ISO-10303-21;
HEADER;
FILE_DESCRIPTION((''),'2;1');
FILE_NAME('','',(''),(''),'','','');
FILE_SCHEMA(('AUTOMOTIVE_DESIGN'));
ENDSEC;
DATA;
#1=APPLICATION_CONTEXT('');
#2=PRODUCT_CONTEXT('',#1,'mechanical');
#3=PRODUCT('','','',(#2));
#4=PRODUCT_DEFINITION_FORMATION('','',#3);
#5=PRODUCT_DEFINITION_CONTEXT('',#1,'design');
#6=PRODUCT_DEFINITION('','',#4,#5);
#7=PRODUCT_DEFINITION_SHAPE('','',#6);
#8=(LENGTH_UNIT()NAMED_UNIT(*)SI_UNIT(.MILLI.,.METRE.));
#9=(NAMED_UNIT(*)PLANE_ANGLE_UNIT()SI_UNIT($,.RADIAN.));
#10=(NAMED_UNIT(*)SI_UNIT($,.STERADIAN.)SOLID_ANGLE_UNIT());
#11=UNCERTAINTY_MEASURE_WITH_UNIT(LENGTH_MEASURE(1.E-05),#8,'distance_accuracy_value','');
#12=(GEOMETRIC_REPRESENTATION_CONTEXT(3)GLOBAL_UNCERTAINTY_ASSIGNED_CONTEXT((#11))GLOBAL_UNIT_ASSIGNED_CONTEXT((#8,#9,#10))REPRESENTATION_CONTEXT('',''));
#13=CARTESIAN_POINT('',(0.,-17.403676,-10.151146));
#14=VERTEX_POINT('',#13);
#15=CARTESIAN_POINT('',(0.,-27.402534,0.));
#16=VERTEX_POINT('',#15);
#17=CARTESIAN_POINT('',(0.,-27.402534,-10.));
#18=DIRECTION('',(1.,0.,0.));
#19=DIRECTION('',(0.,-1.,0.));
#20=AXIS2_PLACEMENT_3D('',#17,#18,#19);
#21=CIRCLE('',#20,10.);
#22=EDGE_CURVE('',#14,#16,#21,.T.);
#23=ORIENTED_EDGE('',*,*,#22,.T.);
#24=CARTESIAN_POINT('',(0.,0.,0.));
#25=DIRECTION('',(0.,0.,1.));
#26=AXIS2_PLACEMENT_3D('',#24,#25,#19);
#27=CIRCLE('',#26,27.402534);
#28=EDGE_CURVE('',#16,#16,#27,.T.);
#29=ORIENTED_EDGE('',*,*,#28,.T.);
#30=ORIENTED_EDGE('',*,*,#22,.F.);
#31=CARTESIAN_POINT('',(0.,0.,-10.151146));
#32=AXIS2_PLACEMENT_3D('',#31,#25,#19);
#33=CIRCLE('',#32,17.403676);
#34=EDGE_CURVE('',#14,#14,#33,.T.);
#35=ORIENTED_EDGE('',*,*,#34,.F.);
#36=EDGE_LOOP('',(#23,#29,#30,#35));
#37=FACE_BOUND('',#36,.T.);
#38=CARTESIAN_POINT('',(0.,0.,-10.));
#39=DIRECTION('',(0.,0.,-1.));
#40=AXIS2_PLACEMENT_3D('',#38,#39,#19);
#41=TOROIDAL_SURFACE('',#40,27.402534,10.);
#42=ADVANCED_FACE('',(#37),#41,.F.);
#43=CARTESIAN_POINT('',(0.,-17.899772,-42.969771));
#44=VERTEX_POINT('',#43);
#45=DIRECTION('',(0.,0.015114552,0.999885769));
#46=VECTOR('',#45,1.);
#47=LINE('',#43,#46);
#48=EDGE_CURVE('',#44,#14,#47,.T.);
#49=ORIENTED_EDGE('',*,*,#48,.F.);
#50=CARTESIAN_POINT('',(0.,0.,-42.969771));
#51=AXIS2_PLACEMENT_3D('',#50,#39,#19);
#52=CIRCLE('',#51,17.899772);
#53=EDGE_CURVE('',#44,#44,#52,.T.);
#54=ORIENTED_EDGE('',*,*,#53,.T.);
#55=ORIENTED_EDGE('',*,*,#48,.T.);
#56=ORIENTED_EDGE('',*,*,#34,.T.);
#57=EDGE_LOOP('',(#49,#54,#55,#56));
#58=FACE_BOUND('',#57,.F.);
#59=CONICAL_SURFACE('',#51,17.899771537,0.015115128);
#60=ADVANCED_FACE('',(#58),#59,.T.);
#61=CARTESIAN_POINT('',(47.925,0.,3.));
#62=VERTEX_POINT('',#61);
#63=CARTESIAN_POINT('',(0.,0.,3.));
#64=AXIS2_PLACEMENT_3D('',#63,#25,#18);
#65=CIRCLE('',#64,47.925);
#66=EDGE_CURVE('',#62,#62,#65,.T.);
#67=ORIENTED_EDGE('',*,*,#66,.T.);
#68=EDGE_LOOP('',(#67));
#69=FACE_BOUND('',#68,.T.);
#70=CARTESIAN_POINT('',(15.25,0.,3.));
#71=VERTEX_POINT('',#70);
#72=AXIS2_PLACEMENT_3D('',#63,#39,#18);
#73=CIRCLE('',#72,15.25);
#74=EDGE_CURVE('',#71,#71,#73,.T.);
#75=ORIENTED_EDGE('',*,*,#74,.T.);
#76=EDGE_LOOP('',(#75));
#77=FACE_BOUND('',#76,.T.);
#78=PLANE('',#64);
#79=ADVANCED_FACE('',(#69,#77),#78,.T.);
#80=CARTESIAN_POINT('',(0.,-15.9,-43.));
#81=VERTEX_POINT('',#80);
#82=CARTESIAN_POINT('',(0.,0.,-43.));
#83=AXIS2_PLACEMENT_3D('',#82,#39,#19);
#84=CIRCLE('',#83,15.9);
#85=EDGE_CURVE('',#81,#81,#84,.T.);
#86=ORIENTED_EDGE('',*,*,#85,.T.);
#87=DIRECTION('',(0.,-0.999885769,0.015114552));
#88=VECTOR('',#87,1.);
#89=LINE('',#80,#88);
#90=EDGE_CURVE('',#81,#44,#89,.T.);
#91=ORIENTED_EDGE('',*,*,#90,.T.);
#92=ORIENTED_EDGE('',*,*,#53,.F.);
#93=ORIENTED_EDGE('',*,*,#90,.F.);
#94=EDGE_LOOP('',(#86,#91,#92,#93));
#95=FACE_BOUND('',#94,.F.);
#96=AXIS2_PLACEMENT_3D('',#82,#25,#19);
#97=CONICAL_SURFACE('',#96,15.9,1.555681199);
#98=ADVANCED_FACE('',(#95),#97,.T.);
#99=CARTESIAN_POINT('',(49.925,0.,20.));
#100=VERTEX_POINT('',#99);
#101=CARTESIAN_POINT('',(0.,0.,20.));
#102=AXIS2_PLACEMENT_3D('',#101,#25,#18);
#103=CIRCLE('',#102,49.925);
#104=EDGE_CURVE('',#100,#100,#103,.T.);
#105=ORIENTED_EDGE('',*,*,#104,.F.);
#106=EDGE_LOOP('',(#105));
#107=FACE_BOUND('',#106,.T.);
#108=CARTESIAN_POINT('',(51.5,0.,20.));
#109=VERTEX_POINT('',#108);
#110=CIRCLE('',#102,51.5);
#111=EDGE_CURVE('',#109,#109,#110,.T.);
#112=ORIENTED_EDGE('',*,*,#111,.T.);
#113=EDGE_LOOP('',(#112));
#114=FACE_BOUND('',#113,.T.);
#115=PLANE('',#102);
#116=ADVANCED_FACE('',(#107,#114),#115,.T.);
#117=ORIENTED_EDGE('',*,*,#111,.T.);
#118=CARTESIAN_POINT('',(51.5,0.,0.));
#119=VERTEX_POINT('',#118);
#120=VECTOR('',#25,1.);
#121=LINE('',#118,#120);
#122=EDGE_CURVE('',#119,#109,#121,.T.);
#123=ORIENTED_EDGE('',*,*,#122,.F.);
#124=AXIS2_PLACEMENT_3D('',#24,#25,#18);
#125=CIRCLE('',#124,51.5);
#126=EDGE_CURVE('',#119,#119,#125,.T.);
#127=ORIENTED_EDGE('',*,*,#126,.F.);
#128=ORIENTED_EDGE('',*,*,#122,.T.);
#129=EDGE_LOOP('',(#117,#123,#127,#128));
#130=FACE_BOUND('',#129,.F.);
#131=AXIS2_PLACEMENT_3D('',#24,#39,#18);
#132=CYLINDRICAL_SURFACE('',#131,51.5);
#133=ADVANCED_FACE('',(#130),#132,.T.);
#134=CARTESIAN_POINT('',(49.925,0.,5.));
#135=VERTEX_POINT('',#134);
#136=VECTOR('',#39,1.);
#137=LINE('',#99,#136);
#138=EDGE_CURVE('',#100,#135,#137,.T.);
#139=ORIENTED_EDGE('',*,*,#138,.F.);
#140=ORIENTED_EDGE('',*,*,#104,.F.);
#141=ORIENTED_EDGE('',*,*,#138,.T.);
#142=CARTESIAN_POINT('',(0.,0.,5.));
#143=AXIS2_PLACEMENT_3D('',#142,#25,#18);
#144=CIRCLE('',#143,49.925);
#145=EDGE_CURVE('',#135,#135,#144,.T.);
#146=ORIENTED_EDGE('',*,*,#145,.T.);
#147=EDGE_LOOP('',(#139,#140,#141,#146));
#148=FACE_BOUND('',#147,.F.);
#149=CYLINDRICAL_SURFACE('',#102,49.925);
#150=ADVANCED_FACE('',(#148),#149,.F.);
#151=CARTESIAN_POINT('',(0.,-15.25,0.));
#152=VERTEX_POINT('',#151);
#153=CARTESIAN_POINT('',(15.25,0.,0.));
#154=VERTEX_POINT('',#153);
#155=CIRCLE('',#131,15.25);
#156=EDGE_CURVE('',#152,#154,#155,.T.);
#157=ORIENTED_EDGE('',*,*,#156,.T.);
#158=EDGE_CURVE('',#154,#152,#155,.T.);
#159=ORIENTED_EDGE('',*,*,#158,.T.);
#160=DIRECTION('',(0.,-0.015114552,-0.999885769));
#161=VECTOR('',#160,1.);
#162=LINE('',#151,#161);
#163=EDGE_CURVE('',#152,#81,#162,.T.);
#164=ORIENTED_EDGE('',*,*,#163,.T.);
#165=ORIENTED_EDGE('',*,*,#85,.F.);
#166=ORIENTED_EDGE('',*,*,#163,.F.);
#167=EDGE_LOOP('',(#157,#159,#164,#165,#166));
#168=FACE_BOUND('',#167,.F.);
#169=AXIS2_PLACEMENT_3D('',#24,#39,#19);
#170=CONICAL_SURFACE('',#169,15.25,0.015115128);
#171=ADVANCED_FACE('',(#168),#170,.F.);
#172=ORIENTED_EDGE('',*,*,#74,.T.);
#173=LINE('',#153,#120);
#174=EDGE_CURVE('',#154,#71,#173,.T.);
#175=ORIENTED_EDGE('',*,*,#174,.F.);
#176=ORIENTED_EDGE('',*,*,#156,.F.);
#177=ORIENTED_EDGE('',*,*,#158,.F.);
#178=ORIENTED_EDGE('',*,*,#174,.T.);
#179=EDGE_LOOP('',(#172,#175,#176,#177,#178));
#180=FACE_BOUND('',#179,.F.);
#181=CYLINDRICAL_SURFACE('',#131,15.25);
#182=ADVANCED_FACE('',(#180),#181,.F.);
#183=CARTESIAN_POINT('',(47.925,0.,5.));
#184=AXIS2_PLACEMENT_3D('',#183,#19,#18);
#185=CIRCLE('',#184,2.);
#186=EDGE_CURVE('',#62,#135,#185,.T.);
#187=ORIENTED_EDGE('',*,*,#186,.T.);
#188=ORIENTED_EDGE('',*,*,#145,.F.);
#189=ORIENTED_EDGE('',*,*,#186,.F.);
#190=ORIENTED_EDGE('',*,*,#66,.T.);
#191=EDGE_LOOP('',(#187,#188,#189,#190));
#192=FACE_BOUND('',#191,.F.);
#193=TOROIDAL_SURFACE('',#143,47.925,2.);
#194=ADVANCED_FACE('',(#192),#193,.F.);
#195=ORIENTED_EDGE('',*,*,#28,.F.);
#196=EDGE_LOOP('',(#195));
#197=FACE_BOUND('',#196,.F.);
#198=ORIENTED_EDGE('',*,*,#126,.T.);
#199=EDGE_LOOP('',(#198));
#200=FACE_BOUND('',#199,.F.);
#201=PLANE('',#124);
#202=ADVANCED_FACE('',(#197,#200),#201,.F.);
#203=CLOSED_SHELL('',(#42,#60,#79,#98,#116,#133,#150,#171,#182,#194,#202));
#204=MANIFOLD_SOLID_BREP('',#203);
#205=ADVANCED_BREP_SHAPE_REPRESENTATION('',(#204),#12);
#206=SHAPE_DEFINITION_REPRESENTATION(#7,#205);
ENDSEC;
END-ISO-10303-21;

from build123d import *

# Parameters (mm, degrees)
F0_R     = 51.5
F1_DEPTH = 20
F2_R     = 49.925
F3_DEPTH = 17
F4_R     = 15.25
F5_DEPTH = 25
F8_R     = 10
F9_R     = 2


with BuildPart() as f1:
    # F0 (on Top) → F1 (new body)
    with BuildSketch(Plane.XY):
        Circle(F0_R)
    extrude(amount=F1_DEPTH)

    # F2 (on face) → F3 (cut)
    with BuildSketch(Plane.XY.offset(20)):
        Circle(F2_R)
    extrude(amount=-F3_DEPTH, mode=Mode.SUBTRACT)

    # F4 (on face) → F5 (cut)
    with BuildSketch(Plane(origin=(0, 0, 0), x_dir=(1, 0, 0), z_dir=(0, 0, -1))):
        Circle(F4_R)
    extrude(amount=-F5_DEPTH, mode=Mode.SUBTRACT)

    # F7: sweep along a path in F7_path
    with BuildLine(Plane(origin=(51.5, 0, 0), x_dir=(0, -1, 0), z_dir=(0, 0, -1))) as f7_path:
        CenterArc((0, 51.5), 51.5, 0, 360)
    # F6 (on Right) → F7 (sweep)
    with BuildSketch(Plane.YZ):
        Polygon((17.2497715373, 0.0302291046), (15.25, 0), (15.9, -43), (17.8997715373, -42.9697708954), align=None)
    sweep(path=f7_path.line)

    # F8
    f8_edges = [f1.edges().sort_by_distance(p)[0] for p in [
        (0, 17.250228, 0),
    ]]
    fillet(f8_edges, radius=F8_R)

    # F9
    f9_edges = [f1.edges().sort_by_distance(p)[0] for p in [
        (-49.925, 0, 3),
    ]]
    fillet(f9_edges, radius=F9_R)


solid = f1.part
